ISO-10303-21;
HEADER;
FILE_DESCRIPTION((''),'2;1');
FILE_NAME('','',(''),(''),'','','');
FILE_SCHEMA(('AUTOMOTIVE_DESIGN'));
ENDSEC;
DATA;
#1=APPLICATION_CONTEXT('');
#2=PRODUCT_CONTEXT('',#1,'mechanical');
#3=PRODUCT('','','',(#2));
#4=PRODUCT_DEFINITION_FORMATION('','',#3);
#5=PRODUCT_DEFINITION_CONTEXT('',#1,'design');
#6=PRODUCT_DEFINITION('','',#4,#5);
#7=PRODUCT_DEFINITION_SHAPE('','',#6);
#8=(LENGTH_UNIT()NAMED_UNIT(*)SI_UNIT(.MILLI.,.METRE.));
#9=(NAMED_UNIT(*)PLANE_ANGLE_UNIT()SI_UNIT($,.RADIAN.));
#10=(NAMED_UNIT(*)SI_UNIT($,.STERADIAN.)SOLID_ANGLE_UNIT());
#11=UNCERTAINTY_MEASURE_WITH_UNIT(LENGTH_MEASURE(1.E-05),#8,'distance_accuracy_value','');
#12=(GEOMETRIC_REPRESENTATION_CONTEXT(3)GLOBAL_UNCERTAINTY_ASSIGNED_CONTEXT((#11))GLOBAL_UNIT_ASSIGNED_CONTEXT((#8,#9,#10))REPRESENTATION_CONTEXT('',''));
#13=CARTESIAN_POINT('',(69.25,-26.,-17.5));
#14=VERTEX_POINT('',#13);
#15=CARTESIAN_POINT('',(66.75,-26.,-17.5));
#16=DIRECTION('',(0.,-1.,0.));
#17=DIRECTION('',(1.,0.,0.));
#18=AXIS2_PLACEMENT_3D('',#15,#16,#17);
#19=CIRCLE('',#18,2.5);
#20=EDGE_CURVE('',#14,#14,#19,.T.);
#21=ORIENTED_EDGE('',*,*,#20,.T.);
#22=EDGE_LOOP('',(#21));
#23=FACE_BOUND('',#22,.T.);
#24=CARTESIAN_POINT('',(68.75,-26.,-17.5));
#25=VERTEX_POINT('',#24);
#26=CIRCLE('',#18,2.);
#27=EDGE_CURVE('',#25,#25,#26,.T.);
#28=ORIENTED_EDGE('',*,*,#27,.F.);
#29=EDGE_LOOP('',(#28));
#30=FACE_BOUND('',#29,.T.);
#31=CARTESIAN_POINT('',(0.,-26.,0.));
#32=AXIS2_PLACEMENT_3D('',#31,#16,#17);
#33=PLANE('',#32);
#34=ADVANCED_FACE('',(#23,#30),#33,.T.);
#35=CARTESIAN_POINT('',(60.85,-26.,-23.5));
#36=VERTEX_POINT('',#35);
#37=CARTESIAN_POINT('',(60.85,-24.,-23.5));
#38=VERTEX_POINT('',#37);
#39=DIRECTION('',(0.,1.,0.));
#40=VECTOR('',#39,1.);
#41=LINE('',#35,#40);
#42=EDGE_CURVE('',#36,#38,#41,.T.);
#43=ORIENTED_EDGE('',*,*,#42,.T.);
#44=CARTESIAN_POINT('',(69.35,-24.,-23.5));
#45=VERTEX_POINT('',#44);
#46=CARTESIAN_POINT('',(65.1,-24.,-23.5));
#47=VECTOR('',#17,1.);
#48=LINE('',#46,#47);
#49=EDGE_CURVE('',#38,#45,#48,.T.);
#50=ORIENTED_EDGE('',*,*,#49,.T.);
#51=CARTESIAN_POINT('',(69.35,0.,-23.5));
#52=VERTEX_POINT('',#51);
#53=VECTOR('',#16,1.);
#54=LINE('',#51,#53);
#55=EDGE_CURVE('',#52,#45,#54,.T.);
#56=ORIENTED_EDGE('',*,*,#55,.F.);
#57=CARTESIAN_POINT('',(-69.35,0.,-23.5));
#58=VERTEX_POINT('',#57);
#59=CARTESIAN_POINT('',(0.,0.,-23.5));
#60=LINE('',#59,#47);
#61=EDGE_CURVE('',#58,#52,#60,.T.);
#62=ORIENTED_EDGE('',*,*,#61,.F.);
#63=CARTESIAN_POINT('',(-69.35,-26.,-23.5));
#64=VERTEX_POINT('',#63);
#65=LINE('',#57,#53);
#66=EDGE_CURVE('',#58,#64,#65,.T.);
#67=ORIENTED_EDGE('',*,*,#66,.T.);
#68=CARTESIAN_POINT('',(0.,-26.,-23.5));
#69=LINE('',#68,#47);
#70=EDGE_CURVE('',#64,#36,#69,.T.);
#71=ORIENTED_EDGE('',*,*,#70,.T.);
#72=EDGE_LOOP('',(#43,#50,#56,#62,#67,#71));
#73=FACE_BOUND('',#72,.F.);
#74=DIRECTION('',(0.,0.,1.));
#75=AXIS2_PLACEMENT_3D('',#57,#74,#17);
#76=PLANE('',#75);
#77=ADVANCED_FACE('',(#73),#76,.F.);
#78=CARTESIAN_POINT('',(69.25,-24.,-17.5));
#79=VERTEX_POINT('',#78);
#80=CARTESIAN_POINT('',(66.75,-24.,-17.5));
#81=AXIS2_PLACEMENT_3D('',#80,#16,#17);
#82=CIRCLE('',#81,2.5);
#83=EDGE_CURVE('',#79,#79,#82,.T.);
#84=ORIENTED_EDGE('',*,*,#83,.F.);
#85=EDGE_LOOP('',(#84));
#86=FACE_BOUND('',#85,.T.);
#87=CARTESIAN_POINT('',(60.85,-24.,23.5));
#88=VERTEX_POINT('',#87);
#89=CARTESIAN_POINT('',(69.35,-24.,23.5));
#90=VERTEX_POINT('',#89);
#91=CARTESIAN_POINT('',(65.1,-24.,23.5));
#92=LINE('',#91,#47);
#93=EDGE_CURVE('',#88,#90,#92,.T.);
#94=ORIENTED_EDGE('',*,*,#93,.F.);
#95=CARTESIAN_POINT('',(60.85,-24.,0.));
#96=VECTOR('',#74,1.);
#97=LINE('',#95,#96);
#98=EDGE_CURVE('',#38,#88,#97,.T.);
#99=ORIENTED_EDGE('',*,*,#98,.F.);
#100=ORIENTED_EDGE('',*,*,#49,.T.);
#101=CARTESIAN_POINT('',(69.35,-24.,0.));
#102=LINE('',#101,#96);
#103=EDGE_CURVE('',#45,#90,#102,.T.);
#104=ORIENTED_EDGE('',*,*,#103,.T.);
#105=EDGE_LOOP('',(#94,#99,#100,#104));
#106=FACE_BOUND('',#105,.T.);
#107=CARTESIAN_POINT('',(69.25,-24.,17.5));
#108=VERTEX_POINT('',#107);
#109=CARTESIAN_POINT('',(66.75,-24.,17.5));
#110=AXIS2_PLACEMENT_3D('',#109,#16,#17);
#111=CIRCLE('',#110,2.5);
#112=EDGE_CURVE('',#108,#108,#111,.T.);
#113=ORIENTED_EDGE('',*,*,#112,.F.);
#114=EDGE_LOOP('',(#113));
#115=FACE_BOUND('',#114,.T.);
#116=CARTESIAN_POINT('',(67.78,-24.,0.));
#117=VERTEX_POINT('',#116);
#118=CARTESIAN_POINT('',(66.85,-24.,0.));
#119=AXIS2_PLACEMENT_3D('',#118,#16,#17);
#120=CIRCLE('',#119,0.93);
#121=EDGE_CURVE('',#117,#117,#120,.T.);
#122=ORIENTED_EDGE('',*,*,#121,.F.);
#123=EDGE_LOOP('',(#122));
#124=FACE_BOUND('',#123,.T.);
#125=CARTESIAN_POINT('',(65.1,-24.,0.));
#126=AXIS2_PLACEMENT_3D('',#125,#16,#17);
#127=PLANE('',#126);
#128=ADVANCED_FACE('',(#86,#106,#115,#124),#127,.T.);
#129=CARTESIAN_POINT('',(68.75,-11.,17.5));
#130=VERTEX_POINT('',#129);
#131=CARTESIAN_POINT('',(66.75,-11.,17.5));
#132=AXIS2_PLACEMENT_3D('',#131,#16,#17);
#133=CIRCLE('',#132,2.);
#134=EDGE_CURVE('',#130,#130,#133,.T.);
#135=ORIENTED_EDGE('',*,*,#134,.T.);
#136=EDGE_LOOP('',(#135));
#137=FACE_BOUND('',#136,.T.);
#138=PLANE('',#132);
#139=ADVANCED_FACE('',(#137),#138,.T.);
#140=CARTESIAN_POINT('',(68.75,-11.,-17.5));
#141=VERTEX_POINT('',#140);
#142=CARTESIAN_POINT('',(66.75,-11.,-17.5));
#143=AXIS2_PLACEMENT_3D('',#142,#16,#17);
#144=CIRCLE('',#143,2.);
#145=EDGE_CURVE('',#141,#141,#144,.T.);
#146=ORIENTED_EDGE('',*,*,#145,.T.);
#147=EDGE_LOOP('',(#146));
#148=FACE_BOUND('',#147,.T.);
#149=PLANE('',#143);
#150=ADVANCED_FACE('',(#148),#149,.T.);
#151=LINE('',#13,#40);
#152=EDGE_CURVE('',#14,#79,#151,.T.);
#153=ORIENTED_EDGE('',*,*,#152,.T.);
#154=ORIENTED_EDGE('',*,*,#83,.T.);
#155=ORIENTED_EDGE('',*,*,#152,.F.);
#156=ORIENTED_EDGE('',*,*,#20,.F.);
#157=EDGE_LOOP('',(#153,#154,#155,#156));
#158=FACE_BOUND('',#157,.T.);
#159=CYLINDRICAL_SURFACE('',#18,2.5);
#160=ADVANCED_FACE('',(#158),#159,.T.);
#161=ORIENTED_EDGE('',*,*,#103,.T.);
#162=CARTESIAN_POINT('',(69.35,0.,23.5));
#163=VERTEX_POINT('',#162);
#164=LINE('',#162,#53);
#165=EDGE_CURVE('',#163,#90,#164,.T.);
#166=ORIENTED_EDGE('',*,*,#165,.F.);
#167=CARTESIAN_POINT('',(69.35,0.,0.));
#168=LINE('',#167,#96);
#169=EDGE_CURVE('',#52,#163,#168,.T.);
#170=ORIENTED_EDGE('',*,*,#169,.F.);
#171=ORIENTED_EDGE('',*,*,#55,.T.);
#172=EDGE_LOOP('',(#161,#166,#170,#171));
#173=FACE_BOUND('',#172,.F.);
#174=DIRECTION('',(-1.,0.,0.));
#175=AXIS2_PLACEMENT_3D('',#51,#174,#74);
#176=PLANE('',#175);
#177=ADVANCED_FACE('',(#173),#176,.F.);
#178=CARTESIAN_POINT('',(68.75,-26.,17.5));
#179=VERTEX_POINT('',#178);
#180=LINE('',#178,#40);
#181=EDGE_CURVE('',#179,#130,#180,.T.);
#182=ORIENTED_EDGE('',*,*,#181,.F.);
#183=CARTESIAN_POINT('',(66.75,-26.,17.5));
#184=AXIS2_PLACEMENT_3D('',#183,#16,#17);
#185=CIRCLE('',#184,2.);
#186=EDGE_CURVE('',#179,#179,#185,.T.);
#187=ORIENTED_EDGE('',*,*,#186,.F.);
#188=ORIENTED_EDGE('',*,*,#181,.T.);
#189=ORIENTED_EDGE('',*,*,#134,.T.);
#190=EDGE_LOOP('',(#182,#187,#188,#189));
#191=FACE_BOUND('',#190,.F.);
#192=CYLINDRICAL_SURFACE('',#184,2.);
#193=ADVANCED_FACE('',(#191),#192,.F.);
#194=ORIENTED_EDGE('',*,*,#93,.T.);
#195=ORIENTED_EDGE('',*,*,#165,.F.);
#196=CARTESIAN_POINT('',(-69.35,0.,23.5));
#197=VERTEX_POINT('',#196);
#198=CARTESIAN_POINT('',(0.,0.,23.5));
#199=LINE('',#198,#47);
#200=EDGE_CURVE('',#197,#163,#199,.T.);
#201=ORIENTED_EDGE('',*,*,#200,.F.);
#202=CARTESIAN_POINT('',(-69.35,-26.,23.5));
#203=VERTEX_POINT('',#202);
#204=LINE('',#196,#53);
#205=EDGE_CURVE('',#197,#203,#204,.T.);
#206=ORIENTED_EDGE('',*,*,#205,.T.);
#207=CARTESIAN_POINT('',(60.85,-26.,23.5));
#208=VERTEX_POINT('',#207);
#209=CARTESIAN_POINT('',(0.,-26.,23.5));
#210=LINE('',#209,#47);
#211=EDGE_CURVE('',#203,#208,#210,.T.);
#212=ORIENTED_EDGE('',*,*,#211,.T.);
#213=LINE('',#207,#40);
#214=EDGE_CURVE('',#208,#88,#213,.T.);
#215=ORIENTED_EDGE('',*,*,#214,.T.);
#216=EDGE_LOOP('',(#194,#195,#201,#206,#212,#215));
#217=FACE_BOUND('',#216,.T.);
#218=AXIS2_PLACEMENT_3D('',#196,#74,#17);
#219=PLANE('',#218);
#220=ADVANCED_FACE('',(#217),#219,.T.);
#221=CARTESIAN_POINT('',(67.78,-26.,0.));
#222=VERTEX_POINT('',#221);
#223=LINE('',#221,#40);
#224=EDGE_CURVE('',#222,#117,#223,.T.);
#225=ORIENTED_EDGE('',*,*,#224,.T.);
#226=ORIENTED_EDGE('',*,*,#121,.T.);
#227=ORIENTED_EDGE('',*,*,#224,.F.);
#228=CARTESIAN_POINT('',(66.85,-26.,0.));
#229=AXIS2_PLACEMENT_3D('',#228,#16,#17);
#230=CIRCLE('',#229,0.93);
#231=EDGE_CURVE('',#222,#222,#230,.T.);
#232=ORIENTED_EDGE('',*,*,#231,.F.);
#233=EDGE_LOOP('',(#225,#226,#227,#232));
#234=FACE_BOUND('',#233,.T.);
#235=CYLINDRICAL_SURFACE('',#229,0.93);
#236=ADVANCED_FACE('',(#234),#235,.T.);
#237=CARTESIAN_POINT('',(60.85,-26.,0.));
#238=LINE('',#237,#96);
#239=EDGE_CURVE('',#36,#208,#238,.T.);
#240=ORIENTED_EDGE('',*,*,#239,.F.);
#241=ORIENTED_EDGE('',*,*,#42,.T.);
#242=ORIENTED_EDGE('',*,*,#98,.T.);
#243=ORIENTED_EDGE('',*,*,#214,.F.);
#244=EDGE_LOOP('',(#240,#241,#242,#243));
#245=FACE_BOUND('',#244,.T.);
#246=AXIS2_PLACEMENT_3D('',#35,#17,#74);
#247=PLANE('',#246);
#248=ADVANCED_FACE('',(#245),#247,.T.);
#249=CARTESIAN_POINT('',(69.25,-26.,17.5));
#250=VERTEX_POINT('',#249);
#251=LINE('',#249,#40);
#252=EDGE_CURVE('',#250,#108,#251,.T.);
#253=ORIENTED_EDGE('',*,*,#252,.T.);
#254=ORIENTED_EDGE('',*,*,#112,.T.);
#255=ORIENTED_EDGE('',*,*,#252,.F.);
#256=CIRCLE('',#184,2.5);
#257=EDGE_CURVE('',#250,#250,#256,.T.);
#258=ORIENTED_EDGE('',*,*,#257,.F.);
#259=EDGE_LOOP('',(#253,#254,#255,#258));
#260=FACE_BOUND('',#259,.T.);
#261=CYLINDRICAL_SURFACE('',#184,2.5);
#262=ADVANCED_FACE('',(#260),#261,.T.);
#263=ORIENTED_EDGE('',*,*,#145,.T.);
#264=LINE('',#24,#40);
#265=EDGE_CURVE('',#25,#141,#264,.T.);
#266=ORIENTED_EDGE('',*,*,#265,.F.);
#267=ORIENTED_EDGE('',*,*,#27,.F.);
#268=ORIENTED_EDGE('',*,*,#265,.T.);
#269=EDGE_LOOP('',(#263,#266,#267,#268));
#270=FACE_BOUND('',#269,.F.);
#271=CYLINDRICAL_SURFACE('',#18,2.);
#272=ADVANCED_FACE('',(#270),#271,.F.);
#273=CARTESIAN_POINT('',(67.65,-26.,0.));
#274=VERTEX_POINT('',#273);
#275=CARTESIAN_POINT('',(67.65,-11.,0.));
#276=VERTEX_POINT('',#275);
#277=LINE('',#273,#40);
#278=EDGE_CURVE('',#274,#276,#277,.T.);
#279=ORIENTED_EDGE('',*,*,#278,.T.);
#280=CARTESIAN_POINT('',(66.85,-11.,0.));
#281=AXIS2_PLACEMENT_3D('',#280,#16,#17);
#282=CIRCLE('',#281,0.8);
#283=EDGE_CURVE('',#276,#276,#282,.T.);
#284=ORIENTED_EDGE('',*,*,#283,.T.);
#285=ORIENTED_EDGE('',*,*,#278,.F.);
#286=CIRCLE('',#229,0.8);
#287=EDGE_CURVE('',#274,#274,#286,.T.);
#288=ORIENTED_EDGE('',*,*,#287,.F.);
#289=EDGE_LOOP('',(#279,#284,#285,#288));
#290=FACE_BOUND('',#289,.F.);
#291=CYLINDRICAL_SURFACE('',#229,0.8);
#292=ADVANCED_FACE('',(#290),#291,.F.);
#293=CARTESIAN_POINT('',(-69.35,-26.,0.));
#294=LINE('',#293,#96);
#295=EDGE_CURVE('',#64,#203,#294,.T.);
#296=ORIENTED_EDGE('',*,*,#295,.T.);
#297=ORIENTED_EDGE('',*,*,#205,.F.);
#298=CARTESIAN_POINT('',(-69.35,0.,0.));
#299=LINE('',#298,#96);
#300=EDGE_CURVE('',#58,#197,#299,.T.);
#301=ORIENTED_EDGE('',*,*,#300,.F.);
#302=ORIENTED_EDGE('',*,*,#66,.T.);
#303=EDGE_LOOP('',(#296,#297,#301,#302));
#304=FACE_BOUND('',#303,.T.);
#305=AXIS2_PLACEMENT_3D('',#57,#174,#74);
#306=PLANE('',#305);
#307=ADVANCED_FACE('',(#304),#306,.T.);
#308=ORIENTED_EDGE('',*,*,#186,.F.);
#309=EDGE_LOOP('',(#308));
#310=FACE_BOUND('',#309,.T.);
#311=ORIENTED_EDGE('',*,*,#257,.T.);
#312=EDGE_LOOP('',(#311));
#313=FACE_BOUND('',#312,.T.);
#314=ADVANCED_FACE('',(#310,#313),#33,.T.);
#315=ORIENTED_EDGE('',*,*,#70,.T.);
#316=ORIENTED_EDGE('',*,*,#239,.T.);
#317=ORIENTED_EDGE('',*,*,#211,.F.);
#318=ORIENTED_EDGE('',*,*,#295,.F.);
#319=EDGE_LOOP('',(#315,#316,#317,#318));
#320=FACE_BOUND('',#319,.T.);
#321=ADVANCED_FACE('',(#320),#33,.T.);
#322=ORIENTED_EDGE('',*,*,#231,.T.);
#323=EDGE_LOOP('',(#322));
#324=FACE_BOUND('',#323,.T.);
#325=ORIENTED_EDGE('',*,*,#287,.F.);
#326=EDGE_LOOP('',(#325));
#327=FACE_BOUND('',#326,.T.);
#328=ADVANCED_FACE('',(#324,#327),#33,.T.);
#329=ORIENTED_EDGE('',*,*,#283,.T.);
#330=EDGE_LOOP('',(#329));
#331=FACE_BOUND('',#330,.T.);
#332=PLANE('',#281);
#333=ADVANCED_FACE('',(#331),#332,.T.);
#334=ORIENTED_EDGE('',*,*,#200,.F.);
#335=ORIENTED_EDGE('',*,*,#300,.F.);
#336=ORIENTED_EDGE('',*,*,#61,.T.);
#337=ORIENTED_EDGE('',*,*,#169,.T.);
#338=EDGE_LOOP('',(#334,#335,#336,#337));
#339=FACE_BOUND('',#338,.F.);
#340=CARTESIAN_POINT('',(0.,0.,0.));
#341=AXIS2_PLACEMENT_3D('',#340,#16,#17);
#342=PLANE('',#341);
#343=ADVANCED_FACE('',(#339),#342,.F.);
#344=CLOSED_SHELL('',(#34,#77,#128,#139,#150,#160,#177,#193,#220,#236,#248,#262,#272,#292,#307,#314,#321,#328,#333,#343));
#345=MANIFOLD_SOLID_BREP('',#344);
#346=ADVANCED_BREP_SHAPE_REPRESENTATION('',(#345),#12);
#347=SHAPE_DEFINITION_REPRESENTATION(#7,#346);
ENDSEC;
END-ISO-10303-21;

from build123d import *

# Parameters (mm, degrees)
F0_W     = 138.7
F0_H     = 47
F1_DEPTH = 26
F2_W     = 8.5
F2_H     = 47
F2_R     = 2.5
F2_R_2   = 0.93
F3_DEPTH = 2
F2_R_3   = 0.8
F2_R_4   = 2
F4_DEPTH = 15


with BuildPart() as f1:
    # F0 (on Front) → F1 (new body)
    with BuildSketch(Plane.XZ):
        Rectangle(F0_W, F0_H)
    extrude(amount=F1_DEPTH)

    # F2 (on face) → F3 (cut)
    with BuildSketch(Plane.XZ.offset(26)):
        with Locations((65.1, 0)):
            Rectangle(F2_W, F2_H)
        with Locations((66.75, -17.5)):
            Circle(F2_R, mode=Mode.SUBTRACT)
        with Locations((66.85, 0)):
            Circle(F2_R_2, mode=Mode.SUBTRACT)
        with Locations((66.75, 17.5)):
            Circle(F2_R, mode=Mode.SUBTRACT)
    extrude(amount=-F3_DEPTH, mode=Mode.SUBTRACT)

    # F2 (on face) → F4 (cut)
    with BuildSketch(Plane.XZ.offset(26)):
        with Locations((66.85, 0)):
            Circle(F2_R_3)
        with Locations((66.75, 17.5)):
            Circle(F2_R_4)
        with Locations((66.75, -17.5)):
            Circle(F2_R_4)
    extrude(amount=-F4_DEPTH, mode=Mode.SUBTRACT)


solid = f1.part
